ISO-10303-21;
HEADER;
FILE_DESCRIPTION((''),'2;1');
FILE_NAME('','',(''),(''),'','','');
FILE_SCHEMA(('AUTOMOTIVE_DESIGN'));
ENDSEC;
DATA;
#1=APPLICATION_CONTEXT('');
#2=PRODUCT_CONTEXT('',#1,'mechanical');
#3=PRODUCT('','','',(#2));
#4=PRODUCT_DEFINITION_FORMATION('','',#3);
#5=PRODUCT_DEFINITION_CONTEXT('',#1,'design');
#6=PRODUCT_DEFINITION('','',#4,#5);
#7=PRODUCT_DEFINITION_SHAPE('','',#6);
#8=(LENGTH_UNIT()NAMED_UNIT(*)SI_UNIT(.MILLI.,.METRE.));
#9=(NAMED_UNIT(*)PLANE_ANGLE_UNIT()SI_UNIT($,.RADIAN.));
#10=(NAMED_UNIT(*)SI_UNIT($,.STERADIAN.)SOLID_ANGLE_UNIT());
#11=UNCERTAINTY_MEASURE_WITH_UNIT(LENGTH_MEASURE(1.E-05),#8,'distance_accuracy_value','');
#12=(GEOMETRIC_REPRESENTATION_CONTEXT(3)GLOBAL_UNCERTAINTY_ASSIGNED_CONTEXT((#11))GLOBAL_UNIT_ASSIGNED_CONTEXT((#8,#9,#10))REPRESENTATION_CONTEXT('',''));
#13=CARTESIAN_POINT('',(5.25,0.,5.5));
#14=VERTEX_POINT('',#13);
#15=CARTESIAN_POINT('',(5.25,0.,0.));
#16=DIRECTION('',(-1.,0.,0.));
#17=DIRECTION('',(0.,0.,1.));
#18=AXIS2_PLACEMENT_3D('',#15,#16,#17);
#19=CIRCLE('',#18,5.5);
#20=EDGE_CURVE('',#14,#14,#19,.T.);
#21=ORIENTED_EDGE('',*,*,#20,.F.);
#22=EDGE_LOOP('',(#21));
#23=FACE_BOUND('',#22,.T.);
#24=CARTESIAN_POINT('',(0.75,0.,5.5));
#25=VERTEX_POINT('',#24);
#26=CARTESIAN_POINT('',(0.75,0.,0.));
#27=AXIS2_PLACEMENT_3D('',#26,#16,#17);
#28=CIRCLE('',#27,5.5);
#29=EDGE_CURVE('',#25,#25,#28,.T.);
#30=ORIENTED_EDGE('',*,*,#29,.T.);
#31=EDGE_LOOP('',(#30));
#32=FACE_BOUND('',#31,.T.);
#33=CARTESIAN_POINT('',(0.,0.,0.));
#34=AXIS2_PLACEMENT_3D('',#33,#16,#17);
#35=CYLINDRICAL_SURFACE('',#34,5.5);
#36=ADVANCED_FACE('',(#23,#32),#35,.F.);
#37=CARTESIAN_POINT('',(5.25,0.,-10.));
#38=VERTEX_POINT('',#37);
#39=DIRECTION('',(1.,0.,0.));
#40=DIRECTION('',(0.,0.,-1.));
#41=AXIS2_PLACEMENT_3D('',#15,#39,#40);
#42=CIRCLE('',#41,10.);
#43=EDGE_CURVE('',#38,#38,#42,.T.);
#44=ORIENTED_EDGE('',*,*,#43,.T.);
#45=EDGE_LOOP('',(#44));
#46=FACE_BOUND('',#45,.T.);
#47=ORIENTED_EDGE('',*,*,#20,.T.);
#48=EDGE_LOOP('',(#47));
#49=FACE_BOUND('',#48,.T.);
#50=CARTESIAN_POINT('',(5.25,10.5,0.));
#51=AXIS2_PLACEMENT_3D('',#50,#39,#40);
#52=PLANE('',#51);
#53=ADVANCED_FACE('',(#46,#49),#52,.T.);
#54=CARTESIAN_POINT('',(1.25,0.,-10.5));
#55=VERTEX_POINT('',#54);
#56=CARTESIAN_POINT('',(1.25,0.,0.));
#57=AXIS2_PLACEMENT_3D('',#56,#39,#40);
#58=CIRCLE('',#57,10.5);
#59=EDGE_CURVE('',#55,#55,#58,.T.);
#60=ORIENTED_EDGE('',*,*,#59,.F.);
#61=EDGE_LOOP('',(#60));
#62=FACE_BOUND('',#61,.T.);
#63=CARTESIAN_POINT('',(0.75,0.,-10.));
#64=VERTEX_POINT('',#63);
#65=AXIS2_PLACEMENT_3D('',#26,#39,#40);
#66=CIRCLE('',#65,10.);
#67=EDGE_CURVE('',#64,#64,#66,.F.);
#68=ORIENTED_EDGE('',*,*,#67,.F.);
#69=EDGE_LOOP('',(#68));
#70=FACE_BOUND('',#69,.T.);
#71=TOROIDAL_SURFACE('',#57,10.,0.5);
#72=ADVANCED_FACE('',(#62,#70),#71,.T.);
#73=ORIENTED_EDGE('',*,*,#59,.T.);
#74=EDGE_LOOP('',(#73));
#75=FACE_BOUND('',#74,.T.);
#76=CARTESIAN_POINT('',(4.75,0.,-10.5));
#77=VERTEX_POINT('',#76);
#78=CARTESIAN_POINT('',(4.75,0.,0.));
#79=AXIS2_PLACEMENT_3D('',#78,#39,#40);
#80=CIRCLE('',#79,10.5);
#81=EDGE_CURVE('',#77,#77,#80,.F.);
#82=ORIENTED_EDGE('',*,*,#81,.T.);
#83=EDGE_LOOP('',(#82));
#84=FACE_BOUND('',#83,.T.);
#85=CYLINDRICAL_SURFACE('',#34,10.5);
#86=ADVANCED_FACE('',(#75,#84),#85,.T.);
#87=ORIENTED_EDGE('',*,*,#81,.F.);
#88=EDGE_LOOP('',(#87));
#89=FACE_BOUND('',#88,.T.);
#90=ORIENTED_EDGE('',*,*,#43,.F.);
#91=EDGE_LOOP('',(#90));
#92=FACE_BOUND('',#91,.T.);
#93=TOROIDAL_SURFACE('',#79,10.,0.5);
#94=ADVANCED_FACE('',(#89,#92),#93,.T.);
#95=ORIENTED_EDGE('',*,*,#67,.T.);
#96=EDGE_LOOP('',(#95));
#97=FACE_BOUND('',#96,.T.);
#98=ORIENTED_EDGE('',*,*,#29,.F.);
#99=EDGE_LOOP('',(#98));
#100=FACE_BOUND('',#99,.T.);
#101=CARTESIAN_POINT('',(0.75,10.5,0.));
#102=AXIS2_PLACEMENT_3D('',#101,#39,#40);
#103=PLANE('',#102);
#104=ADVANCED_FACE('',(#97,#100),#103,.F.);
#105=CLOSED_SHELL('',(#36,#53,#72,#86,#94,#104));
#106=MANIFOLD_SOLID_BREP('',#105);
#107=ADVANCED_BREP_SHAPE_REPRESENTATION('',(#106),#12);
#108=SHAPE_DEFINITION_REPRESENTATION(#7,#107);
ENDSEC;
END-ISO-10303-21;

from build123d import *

# Parameters (mm, degrees)
SKETCH1_W = 4.5
SKETCH1_H = 5
FILLET1_R = 0.5


with BuildPart() as part:
    # Sketch1 → Revolve1 (revolve)
    with BuildSketch(Plane.XY):
        with Locations((3, 8)):
            Rectangle(SKETCH1_W, SKETCH1_H)
    revolve(axis=Axis((0, 0, 0), (1, 0, 0)))

    # Fillet1
    fillet1_edges = [part.edges().sort_by_distance(p)[0] for p in [
        (5.25, -10.5, 0),
        (0.75, -10.5, 0),
    ]]
    fillet(fillet1_edges, radius=FILLET1_R)


solid = part.part
